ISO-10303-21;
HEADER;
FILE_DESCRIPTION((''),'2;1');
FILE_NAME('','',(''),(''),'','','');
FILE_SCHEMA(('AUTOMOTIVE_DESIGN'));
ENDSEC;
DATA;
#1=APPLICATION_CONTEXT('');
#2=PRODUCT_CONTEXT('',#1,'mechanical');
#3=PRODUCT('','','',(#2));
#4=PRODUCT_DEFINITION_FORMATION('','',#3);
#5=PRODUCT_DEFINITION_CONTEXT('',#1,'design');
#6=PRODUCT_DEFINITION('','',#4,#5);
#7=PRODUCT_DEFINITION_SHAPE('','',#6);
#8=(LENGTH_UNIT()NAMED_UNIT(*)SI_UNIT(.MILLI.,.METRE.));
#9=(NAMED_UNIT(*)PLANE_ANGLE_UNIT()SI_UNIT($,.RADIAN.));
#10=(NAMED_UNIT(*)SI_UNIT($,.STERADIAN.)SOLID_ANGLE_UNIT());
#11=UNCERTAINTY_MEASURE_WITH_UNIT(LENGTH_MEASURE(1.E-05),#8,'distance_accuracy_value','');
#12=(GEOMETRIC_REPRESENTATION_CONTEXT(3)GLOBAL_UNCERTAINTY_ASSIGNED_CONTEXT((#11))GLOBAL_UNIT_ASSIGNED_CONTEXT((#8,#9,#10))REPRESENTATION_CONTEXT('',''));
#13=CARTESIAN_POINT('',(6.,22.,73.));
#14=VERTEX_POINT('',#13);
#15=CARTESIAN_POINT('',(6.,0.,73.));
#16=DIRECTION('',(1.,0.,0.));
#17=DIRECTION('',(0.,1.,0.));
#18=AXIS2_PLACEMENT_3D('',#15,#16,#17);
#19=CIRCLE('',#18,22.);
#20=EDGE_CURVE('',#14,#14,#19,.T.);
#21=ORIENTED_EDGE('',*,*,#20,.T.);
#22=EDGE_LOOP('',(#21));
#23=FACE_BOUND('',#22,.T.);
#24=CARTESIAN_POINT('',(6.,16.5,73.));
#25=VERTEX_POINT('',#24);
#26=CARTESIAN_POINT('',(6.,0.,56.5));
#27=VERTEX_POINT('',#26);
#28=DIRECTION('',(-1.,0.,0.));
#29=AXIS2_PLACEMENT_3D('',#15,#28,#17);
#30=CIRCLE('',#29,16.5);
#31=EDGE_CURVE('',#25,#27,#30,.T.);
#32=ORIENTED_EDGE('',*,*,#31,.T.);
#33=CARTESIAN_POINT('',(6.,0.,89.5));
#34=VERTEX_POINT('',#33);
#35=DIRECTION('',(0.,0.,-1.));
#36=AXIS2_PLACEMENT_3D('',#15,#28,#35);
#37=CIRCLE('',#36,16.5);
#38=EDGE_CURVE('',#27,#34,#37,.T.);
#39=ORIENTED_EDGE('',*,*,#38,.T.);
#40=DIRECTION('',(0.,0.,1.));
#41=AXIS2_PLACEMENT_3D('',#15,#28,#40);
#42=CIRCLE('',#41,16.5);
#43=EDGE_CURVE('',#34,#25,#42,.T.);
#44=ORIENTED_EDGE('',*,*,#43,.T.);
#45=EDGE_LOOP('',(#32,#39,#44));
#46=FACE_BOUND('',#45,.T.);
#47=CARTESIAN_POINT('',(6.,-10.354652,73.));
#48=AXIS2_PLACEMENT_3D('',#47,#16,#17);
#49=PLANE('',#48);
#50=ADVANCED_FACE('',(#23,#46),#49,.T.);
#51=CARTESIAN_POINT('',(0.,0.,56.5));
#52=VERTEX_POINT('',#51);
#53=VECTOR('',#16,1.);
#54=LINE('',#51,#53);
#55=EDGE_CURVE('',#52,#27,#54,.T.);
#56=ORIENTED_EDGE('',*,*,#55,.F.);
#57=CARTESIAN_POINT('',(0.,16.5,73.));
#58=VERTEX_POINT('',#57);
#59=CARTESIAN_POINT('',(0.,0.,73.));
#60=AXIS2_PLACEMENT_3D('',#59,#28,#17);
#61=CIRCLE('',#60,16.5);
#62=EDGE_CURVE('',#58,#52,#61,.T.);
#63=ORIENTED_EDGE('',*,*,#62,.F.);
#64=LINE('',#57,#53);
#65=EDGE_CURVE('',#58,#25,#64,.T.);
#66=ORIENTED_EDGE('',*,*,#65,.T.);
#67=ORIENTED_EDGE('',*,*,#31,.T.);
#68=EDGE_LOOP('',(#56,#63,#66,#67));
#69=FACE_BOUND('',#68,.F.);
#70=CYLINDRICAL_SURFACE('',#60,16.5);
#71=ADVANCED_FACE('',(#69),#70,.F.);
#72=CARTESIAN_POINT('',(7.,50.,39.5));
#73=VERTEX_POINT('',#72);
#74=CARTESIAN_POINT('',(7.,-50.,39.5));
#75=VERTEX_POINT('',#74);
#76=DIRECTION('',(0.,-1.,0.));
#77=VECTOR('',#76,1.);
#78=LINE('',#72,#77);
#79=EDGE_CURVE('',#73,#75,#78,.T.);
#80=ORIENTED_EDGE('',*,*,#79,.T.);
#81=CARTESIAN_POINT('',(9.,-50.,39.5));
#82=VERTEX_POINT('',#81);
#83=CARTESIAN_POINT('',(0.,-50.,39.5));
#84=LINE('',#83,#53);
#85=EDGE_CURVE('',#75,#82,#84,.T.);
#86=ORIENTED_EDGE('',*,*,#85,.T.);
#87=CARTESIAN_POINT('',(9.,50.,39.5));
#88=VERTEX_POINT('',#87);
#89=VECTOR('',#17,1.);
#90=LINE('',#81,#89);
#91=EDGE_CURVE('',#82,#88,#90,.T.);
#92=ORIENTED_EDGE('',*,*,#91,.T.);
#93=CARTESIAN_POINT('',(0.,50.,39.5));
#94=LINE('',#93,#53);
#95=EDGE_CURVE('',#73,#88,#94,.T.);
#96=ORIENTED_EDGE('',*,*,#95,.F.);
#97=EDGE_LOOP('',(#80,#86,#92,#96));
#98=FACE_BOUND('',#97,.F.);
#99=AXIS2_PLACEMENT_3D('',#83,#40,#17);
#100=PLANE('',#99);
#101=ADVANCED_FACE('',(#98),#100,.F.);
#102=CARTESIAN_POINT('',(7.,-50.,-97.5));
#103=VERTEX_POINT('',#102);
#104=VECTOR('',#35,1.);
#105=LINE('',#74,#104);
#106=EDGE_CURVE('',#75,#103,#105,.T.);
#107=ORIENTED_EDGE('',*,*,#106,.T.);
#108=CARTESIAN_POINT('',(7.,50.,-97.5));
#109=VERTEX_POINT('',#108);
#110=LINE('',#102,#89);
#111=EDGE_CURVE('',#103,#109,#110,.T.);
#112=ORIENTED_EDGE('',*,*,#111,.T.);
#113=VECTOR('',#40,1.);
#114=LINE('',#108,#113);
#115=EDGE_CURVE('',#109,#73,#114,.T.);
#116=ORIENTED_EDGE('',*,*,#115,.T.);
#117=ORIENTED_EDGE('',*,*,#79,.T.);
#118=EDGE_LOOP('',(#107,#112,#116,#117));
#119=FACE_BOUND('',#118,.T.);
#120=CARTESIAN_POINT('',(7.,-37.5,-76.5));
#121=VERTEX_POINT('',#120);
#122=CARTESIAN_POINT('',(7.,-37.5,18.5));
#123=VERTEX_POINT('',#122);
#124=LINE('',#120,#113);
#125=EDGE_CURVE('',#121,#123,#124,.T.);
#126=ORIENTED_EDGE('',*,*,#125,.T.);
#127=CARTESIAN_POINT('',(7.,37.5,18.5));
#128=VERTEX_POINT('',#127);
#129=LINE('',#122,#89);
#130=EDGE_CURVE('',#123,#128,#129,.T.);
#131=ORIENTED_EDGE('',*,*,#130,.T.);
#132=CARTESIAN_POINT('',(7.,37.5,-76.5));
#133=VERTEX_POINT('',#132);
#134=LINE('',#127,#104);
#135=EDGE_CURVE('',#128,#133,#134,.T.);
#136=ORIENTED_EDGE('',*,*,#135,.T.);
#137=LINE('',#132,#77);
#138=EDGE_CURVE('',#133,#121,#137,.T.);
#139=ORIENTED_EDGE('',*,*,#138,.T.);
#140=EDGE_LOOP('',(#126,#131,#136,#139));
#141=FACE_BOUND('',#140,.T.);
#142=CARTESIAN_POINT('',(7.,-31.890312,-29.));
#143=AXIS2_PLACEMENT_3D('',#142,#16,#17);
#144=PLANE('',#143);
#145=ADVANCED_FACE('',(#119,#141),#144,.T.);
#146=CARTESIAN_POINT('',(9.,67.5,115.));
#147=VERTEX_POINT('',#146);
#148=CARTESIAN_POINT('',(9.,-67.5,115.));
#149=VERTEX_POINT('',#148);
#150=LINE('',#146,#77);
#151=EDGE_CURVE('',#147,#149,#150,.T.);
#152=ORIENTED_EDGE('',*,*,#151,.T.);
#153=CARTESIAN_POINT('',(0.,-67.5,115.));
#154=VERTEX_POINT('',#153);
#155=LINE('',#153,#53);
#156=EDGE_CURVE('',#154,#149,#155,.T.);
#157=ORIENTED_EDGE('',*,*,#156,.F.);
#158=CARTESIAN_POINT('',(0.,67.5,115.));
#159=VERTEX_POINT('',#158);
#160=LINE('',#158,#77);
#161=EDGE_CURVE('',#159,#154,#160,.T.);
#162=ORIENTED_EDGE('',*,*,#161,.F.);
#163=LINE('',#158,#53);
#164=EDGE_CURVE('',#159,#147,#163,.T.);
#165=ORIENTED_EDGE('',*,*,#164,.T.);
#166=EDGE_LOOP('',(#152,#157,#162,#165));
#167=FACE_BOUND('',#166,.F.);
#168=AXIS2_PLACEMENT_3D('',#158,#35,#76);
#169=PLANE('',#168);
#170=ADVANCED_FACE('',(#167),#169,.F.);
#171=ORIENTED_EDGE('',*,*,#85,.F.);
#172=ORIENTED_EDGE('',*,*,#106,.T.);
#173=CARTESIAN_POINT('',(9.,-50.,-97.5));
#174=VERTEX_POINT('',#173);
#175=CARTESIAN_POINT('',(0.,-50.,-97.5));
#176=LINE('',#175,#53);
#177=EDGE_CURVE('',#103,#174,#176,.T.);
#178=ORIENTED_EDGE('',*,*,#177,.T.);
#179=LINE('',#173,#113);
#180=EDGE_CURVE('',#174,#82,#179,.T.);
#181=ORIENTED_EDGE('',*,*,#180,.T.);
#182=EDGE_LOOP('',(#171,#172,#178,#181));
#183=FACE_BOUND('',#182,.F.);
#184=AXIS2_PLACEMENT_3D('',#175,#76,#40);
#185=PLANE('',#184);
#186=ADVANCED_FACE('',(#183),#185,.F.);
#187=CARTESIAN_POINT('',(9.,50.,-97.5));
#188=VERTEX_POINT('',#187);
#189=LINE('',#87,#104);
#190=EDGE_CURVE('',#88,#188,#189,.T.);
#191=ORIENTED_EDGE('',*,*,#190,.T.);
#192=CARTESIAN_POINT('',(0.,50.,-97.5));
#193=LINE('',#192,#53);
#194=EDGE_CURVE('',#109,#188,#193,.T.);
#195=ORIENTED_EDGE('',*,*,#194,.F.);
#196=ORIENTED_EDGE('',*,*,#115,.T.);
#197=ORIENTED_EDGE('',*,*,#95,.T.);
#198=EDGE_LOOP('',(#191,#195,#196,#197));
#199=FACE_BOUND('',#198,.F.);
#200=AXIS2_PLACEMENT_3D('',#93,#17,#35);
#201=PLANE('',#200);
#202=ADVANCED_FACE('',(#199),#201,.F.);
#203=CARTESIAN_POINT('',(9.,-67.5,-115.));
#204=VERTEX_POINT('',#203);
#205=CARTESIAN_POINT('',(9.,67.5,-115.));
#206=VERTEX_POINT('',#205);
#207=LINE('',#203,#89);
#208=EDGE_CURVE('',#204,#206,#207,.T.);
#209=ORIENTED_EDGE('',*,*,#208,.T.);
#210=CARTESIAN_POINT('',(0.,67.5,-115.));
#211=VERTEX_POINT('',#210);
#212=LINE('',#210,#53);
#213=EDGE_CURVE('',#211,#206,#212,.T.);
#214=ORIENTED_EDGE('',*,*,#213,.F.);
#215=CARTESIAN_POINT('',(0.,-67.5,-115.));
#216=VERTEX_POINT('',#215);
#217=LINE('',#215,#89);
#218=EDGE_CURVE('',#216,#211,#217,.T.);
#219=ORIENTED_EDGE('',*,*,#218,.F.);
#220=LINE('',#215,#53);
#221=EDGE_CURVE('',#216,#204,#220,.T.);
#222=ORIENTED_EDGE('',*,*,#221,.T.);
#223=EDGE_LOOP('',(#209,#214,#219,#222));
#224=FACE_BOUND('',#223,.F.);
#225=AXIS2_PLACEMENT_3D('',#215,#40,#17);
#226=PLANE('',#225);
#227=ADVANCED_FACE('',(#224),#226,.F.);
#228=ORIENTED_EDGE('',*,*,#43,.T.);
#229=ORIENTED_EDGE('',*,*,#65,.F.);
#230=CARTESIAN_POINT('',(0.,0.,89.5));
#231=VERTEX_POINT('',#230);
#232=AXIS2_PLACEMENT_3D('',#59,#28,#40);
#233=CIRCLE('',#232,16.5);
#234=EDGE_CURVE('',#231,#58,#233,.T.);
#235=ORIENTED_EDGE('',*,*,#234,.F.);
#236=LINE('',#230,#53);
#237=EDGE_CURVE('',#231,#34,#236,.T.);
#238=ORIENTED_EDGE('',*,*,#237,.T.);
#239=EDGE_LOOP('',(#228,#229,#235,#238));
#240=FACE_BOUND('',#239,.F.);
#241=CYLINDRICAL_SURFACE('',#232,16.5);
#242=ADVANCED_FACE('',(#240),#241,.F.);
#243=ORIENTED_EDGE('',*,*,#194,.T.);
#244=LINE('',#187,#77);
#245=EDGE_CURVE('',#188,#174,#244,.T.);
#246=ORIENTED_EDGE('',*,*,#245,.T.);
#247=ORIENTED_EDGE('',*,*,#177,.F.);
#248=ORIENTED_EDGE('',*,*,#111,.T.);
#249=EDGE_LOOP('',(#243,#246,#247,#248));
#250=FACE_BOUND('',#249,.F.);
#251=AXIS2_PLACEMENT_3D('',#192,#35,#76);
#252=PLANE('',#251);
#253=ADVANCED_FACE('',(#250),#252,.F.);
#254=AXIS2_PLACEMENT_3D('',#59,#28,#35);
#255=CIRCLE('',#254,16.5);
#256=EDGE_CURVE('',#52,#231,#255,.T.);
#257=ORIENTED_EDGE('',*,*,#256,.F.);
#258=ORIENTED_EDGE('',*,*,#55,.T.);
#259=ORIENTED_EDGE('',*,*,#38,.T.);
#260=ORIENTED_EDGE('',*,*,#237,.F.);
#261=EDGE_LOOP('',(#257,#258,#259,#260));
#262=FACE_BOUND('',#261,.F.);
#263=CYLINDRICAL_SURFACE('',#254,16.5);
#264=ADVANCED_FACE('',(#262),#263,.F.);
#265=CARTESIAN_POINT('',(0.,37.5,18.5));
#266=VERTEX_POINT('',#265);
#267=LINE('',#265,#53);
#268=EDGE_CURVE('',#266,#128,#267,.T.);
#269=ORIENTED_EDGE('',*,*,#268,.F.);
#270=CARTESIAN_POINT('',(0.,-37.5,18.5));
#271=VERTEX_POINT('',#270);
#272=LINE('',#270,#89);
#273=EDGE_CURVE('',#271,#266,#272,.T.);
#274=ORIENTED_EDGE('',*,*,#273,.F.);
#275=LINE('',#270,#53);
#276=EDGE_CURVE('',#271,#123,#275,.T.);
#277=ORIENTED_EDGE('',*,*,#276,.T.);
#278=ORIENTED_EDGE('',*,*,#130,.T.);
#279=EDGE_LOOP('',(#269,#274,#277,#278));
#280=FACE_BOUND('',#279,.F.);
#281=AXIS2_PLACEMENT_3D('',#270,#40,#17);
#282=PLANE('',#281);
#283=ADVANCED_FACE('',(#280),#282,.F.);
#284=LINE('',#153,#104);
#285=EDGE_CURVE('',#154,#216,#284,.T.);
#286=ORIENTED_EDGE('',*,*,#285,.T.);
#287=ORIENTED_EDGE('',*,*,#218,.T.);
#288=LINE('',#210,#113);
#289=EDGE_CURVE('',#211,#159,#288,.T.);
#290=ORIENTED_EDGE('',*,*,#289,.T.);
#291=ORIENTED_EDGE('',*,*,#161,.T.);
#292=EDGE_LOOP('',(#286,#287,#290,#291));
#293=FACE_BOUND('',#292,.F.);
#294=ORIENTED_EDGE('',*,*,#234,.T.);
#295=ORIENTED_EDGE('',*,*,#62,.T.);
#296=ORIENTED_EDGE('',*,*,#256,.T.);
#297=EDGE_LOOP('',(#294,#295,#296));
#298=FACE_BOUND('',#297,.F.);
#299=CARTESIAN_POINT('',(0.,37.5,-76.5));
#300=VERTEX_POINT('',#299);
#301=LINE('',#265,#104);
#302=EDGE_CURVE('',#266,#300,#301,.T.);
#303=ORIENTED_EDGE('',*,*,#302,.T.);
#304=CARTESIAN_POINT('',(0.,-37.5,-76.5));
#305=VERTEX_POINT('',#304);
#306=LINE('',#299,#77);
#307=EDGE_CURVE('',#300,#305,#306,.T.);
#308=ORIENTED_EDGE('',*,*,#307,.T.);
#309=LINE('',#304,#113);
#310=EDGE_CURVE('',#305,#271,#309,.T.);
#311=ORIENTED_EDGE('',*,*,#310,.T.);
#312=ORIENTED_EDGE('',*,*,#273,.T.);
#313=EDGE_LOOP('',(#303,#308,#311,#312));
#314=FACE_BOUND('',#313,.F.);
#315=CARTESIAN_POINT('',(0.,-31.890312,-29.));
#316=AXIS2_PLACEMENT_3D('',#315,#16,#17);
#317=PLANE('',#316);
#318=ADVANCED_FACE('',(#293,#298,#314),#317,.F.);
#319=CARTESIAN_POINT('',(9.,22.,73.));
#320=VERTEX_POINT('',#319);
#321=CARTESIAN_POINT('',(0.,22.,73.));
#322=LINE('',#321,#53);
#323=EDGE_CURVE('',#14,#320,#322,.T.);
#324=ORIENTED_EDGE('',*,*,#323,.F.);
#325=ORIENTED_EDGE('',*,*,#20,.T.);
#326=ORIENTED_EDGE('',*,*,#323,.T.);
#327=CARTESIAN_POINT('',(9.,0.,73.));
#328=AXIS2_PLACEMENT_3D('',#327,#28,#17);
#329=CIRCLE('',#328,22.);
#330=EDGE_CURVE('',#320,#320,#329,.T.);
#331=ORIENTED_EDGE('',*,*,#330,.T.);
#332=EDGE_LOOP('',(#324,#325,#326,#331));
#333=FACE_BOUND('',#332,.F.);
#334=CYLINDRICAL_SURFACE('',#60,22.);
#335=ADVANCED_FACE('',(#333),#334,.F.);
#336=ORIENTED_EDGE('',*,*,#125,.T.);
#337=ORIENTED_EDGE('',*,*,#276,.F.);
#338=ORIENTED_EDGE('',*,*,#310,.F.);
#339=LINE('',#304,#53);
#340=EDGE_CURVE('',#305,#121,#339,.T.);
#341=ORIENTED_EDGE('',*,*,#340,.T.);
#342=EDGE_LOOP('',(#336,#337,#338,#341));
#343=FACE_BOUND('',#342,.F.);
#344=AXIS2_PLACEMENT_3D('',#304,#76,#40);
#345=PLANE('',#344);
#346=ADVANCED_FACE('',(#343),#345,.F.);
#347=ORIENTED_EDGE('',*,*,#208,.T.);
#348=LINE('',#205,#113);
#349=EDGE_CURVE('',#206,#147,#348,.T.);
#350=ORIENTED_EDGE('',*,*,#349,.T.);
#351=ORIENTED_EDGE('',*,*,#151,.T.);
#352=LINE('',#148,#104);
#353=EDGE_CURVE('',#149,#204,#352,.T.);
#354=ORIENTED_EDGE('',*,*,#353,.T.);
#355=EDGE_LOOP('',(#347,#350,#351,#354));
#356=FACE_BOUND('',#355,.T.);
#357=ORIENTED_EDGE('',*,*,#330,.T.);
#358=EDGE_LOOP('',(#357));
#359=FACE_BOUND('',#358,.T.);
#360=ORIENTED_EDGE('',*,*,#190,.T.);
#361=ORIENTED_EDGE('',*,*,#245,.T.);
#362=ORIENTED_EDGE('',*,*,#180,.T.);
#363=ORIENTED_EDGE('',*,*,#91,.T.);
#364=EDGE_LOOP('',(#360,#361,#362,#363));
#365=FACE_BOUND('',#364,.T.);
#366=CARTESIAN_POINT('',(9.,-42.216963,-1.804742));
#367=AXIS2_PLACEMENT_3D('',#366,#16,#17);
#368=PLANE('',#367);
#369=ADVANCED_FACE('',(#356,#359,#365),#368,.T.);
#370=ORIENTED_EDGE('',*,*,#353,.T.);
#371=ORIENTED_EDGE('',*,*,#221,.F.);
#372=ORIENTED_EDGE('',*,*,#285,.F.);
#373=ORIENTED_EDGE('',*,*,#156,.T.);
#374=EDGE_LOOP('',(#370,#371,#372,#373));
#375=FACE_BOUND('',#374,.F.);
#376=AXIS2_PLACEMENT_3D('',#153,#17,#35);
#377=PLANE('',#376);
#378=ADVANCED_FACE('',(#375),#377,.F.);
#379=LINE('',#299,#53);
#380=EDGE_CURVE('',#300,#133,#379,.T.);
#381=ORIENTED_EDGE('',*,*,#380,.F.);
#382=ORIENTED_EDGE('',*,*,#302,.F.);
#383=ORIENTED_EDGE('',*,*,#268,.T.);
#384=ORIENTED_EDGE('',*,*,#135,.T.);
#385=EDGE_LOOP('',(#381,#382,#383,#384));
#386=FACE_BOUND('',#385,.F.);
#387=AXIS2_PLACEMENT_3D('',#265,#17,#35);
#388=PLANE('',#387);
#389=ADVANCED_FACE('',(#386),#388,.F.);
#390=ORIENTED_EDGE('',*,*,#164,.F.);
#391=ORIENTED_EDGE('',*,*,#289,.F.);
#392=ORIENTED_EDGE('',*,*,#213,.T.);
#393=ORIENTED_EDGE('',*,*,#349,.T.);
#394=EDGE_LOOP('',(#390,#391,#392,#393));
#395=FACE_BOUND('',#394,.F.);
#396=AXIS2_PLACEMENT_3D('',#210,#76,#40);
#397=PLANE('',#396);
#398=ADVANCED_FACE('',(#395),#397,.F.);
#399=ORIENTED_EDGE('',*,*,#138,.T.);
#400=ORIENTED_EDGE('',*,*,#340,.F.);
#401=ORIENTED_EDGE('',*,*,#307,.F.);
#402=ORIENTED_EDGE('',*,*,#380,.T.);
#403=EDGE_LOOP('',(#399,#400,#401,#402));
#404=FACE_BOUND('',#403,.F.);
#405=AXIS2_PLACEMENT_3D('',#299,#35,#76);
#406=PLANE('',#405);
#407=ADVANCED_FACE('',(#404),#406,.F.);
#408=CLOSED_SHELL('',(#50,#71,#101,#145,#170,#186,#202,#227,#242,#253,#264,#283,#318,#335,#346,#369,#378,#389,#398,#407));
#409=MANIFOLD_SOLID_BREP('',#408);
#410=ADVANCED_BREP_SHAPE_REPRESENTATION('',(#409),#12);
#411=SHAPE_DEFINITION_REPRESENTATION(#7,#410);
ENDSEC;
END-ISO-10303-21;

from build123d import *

# Parameters (mm, degrees)
F1_DEPTH = 9
F2_DEPTH = 6
F3_DEPTH = 7


with BuildPart() as f1:
    # F0 (on Right) → F1 (new body)
    with BuildSketch(Plane.YZ):
        with BuildLine():
            Line((0, 115), (-67.5, 115))
            Line((-67.5, 115), (-67.5, -115))
            Line((-67.5, -115), (0, -115))
            Line((0, -115), (0, -97.5))
            Line((0, -97.5), (-50, -97.5))
            Line((-50, -97.5), (-50, 30.4482906163))
            Line((-50, 30.4482906163), (-50, 39.5))
            Line((-50, 39.5), (0, 39.5))
            Line((0, 39.5), (0, 51))
            ThreePointArc((0, 51), (-22, 73), (0, 95))
            Line((0, 95), (0, 115))
        make_face()
        with BuildLine():
            Line((67.5, 115), (0, 115))
            Line((0, 115), (0, 95))
            ThreePointArc((0, 95), (15.5563491861, 88.5563491861), (22, 73))
            ThreePointArc((22, 73), (15.5563491861, 57.4436508139), (0, 51))
            Line((0, 51), (0, 39.5))
            Line((0, 39.5), (50, 39.5))
            Line((50, 39.5), (50, 30.4482906163))
            Line((50, 30.4482906163), (50, -97.5))
            Line((50, -97.5), (0, -97.5))
            Line((0, -97.5), (0, -115))
            Line((0, -115), (67.5, -115))
            Line((67.5, -115), (67.5, 115))
        make_face()
    extrude(amount=F1_DEPTH)

    # F0 (on Right) → F2 (join)
    with BuildSketch(Plane.YZ):
        with BuildLine():
            Line((0, 89.5), (0, 95))
            ThreePointArc((0, 95), (-22, 73), (0, 51))
            Line((0, 51), (0, 56.5))
            ThreePointArc((0, 56.5), (-16.5, 73), (0, 89.5))
        make_face()
        with BuildLine():
            ThreePointArc((22, 73), (15.5563491861, 88.5563491861), (0, 95))
            Line((0, 95), (0, 89.5))
            ThreePointArc((0, 89.5), (11.6672618896, 84.6672618896), (16.5, 73))
            ThreePointArc((16.5, 73), (11.6672618896, 61.3327381104), (0, 56.5))
            Line((0, 56.5), (0, 51))
            ThreePointArc((0, 51), (15.5563491861, 57.4436508139), (22, 73))
        make_face()
    extrude(amount=F2_DEPTH)

    # F0 (on Right) → F3 (join)
    with BuildSketch(Plane.YZ):
        Polygon((-50, -97.5), (0, -97.5), (0, -76.5), (-37.5, -76.5), (-37.5, 18.5), (0, 18.5), (0, 39.5), (-50, 39.5), (-50, 30.4482906163), align=None)
        Polygon((0, -76.5), (0, -97.5), (50, -97.5), (50, 30.4482906163), (50, 39.5), (0, 39.5), (0, 18.5), (37.5, 18.5), (37.5, -76.5), align=None)
    extrude(amount=F3_DEPTH)


solid = f1.part
